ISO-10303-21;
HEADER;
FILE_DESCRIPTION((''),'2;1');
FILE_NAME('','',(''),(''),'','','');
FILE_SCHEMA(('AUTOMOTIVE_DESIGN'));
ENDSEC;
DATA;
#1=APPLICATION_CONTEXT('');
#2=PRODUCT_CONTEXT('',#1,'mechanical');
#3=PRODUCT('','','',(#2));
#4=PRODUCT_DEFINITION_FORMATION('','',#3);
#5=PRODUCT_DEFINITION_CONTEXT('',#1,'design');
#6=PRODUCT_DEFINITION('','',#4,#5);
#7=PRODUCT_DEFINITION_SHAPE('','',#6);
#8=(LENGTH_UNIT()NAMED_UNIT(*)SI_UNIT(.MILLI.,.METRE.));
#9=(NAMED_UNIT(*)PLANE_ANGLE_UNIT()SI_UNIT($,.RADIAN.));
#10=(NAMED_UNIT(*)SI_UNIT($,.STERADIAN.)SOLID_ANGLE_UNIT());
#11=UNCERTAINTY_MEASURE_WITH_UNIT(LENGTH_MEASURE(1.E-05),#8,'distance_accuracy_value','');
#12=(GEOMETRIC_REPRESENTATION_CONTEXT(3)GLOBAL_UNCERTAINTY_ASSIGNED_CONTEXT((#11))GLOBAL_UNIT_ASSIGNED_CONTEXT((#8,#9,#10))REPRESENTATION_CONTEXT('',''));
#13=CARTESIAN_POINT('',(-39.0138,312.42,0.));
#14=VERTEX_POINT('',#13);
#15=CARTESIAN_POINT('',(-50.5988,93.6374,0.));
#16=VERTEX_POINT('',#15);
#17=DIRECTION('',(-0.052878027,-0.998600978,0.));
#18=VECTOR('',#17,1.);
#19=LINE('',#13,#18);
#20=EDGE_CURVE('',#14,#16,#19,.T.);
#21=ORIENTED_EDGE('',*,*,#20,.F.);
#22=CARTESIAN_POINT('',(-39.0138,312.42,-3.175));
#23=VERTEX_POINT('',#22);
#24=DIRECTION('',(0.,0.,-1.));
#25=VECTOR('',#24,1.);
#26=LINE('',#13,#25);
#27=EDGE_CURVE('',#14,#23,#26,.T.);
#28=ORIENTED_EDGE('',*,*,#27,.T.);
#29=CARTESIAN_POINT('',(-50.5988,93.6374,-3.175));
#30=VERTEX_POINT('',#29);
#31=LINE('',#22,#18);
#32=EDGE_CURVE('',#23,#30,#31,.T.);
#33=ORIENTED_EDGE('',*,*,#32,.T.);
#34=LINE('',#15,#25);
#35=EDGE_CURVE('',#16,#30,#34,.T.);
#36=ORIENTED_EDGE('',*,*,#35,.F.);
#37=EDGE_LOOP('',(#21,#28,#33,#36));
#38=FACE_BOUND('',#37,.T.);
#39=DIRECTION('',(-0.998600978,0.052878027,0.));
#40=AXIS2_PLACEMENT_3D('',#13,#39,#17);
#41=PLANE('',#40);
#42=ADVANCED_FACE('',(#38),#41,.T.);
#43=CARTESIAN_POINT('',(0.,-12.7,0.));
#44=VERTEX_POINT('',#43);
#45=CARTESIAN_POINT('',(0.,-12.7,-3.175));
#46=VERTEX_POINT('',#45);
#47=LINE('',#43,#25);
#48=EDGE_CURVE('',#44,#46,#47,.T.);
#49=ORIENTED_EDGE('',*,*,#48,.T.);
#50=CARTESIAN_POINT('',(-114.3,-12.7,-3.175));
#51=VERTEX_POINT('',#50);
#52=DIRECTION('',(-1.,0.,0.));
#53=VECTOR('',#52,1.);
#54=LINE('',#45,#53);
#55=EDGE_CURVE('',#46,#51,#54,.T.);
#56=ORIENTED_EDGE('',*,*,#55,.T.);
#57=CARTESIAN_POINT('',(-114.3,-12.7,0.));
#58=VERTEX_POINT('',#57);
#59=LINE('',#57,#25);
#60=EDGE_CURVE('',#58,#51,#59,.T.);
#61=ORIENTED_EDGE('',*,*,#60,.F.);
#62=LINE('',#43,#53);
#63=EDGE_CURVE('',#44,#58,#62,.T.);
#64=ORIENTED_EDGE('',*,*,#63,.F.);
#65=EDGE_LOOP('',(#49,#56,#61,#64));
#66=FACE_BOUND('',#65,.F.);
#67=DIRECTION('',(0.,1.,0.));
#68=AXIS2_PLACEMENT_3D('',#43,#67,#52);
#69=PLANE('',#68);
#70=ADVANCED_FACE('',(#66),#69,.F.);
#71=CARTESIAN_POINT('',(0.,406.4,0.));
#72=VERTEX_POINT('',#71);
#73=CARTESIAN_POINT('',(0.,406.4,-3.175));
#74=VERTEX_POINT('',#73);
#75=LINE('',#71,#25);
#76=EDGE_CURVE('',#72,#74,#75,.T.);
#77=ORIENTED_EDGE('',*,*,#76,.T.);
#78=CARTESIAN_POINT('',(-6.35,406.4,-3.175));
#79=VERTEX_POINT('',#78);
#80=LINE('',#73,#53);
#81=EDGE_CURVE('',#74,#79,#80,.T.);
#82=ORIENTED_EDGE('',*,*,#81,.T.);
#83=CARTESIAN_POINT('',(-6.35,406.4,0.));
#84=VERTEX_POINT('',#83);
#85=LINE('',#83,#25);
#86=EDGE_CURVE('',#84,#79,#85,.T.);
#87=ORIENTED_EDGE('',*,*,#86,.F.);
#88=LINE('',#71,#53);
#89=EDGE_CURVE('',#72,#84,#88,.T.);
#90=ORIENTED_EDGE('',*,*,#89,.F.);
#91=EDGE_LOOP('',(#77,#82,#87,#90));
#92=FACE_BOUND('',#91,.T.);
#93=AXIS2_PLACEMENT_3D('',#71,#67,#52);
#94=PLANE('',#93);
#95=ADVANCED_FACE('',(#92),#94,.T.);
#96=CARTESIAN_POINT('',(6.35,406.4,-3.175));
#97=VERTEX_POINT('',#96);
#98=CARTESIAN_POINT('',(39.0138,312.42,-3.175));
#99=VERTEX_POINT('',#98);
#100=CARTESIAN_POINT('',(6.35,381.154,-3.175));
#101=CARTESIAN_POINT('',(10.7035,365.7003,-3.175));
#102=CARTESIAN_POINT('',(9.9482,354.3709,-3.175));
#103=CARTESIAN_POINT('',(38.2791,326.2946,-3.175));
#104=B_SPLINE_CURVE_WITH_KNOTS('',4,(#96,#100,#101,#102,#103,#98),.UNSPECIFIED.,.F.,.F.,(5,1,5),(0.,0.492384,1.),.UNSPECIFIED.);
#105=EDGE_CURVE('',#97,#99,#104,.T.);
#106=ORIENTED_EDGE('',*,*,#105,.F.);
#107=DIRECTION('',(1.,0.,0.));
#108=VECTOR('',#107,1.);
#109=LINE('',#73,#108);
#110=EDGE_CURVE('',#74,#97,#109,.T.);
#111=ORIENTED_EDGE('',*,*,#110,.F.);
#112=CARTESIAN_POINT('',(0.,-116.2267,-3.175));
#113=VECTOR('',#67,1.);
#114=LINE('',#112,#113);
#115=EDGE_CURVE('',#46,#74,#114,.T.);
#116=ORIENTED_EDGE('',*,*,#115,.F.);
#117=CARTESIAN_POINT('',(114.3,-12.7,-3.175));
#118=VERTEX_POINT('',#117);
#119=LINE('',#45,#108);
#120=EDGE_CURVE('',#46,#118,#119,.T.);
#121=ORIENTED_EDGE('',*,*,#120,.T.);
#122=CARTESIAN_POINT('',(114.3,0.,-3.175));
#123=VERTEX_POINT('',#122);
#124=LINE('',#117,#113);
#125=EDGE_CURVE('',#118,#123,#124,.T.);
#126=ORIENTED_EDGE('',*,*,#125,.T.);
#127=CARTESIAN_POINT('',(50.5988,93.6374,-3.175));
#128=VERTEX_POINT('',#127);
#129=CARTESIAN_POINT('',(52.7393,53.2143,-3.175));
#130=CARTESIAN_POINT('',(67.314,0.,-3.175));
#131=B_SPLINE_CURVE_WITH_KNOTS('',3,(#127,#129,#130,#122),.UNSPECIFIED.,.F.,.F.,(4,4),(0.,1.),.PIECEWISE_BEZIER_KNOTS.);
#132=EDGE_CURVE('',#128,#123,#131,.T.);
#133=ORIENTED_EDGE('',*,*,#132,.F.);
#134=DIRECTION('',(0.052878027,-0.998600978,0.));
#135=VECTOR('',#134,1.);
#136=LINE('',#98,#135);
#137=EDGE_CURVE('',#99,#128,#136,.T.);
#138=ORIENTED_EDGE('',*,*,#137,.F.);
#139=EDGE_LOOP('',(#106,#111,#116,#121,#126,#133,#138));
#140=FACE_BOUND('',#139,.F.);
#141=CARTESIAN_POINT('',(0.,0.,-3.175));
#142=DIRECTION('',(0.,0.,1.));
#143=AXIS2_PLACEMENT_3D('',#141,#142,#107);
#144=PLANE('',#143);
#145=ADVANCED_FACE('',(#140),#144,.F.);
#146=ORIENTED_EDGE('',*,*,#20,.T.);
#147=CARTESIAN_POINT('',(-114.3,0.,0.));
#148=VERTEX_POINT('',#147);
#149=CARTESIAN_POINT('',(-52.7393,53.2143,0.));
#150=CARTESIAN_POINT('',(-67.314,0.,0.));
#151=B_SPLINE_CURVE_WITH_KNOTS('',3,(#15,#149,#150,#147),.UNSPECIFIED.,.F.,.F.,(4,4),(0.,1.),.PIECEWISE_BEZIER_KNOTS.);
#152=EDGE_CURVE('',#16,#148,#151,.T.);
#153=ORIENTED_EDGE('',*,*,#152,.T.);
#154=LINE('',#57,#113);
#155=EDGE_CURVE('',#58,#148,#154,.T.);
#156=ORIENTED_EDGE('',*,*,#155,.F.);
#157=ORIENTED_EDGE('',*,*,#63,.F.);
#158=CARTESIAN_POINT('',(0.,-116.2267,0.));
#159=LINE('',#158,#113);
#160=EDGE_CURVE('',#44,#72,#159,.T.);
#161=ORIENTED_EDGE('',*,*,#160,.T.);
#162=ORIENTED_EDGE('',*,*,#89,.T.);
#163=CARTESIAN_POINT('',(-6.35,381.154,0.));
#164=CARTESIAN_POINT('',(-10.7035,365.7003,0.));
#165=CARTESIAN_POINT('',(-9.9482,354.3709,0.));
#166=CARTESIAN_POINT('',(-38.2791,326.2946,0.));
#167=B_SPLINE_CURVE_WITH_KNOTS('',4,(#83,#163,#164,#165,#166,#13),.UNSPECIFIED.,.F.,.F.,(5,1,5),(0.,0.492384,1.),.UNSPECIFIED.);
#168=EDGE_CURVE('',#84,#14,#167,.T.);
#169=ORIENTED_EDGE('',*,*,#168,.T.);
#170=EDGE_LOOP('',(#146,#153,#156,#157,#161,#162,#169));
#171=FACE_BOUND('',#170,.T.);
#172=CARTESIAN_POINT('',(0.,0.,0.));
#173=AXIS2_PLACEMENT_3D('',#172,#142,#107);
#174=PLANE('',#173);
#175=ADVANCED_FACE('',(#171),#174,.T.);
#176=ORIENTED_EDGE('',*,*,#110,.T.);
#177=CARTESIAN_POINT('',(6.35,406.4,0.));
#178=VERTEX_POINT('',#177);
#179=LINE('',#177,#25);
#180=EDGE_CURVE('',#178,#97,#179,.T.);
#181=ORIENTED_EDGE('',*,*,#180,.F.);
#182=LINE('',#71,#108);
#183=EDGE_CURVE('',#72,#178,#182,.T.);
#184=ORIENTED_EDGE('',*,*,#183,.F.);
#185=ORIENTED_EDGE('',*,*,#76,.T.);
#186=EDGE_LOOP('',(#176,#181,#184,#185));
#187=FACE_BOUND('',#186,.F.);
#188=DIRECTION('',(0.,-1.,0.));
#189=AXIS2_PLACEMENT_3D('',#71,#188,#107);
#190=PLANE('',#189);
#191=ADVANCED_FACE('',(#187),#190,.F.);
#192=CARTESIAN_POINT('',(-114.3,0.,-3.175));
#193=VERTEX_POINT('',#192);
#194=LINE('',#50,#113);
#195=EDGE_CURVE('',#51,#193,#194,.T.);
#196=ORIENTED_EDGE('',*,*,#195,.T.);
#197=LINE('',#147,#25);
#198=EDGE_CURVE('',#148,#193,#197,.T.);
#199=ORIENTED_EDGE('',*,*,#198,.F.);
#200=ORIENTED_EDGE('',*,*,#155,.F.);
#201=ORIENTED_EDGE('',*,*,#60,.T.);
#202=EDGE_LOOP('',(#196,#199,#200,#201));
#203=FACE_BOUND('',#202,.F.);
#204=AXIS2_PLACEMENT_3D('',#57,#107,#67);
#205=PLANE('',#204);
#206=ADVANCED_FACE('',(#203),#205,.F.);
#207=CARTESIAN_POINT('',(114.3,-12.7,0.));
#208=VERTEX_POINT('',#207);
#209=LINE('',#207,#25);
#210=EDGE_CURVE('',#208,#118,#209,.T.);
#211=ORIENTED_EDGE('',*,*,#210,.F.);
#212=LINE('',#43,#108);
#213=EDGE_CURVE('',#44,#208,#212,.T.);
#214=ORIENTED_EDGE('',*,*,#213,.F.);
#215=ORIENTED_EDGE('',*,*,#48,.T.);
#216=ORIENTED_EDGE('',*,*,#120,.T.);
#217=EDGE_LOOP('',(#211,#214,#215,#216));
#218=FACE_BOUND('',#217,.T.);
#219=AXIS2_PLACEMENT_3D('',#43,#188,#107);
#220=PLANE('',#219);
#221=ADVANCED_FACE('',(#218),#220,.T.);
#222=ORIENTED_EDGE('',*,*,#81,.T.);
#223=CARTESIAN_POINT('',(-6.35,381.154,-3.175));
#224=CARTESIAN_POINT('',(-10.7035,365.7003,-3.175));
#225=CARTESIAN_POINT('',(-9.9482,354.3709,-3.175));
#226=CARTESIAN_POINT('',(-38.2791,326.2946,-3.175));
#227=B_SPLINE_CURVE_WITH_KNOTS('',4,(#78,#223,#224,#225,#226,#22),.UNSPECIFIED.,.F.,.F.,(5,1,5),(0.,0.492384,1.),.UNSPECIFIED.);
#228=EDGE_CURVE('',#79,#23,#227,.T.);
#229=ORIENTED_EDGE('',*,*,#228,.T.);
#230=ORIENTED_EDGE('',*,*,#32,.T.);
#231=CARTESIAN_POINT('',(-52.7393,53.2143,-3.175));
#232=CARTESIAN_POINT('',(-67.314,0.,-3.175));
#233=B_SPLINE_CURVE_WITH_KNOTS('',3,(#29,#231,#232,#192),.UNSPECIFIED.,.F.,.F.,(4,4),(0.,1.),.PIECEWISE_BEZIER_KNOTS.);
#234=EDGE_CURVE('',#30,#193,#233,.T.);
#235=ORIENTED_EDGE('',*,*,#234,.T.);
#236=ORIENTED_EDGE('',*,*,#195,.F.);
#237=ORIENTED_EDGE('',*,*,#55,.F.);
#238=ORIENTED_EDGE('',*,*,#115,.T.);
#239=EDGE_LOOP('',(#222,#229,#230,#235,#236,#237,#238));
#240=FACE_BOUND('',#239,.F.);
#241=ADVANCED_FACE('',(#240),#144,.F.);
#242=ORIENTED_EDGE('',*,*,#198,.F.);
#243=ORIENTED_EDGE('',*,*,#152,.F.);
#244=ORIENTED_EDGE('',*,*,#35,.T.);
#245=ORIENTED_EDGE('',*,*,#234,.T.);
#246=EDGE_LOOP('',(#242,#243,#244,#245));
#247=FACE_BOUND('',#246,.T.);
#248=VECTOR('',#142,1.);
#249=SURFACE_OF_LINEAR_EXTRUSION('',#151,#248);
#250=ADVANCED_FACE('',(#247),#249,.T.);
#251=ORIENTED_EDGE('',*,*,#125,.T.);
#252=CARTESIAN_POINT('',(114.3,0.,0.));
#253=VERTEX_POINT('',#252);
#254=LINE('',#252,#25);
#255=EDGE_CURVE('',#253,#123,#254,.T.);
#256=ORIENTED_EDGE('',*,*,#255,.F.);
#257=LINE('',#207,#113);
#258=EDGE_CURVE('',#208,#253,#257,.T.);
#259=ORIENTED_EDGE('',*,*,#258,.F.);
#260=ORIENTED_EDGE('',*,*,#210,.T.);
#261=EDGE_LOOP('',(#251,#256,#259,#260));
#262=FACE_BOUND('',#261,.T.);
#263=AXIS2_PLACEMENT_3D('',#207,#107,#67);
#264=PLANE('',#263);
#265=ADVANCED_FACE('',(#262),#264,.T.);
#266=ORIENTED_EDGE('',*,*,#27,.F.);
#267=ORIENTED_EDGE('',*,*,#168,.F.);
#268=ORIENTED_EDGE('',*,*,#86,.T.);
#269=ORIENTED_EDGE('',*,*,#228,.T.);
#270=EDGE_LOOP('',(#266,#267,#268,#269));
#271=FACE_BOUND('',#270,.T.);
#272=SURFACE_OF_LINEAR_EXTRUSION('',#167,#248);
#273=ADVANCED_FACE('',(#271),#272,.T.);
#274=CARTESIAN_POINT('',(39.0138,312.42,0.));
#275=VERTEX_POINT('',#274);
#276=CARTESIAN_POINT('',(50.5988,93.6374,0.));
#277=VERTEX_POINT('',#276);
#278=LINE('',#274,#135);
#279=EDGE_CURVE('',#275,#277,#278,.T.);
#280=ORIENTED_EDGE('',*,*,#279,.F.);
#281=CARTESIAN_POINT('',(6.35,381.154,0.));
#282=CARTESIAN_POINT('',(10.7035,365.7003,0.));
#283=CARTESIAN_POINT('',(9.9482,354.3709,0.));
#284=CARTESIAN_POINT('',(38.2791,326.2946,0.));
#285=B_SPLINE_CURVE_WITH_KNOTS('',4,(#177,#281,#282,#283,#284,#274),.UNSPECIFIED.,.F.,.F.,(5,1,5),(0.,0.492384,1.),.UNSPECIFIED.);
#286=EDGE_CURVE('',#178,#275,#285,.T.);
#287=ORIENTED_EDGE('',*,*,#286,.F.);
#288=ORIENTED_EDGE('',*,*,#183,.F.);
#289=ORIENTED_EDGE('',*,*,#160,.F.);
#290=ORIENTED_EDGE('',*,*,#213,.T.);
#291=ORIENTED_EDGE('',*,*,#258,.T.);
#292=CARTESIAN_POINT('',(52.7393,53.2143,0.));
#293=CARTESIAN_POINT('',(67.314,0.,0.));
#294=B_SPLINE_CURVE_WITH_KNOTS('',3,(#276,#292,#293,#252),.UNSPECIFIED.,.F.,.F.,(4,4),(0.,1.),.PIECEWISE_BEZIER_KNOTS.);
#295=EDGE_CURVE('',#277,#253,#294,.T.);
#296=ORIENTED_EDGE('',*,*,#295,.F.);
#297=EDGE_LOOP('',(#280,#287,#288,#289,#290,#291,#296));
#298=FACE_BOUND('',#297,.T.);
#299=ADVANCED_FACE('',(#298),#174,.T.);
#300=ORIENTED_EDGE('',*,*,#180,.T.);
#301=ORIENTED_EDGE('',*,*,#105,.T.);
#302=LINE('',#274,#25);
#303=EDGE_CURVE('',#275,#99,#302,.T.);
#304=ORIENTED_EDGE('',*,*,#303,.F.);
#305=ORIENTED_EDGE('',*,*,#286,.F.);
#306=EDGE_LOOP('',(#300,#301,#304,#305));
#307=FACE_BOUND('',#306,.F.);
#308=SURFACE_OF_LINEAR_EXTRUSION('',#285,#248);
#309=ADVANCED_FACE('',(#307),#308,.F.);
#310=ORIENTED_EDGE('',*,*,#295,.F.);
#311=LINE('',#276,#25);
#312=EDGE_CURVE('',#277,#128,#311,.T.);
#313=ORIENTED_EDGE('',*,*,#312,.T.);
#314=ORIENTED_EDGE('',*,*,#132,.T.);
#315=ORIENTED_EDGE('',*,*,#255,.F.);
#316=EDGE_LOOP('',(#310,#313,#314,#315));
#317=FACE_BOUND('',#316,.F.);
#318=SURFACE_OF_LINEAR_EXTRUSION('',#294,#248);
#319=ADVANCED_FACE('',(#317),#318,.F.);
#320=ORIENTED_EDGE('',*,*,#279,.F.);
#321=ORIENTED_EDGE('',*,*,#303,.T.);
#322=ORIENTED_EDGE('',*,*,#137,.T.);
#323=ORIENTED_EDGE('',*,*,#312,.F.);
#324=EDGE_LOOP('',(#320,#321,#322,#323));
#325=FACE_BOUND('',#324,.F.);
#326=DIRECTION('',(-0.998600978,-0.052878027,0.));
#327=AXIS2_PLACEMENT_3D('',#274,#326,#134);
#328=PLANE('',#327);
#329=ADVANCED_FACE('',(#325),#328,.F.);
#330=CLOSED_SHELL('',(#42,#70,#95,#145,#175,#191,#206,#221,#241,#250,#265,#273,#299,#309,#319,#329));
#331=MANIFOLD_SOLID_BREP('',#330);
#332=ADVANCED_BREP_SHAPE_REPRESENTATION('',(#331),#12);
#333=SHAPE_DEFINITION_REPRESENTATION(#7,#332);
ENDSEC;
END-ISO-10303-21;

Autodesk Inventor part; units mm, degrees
ref_plane "YZ Plane" through (0, 0, 0) normal (1, 0, 0) x (0, 1, 0)
ref_plane "XZ Plane" through (0, 0, 0) normal (0, 1, 0) x (-1, 0, 0)
ref_plane "XY Plane" through (0, 0, 0) normal (0, 0, 1) x (1, 0, 0)
sketch "Sketch1" plane through (0, 0, 0) normal (0, 0, 1) x (1, 0, 0)
  line L0 (76.2, -12.7) -> (381, -12.7) construction
  line L1 (-76.2, -12.7) -> (-381, -12.7) construction
  line L2 (-76.2, 0) -> (-381, 0) construction
  line L3 (76.2, 0) -> (381, 0) construction
  line L4 (0, -116.2267) -> (0, 608.4603)
  line L5 (0, -12.7) -> (-114.3, -12.7)
  line L6 (-114.3, -12.7) -> (-114.3, 0)
  line L7 (0, 406.4) -> (-6.35, 406.4)
  line L8 (-39.0138, 312.42) -> (-50.5988, 93.6374)
  line L9 (39.0138, 312.42) -> (50.5988, 93.6374)
  line L10 (0, 406.4) -> (6.35, 406.4)
  line L11 (0, -12.7) -> (114.3, -12.7)
  line L12 (114.3, -12.7) -> (114.3, 0)
  spline S0 degree 4 poles (-6.35, 406.4) (-6.35, 381.154) (-10.7035, 365.7003) (-9.9482, 354.3709) (-38.2791, 326.2946) (-39.0138, 312.42) knots 0 0 0 0 0 0.492384 1 1 1 1 1
  line L13 (-6.35, 441.1174) -> (-6.35, 371.6826) construction
  arc A0 (-7.3193, 378.694) -> (-7.3193, 434.106) centre (-402.7904, 406.4) ccw construction
  spline S1 degree 4 poles (6.35, 406.4) (6.35, 381.154) (10.7035, 365.7003) (9.9482, 354.3709) (38.2791, 326.2946) (39.0138, 312.42) knots 0 0 0 0 0 0.492384 1 1 1 1 1
  line L14 (6.35, 441.1174) -> (6.35, 371.6826) construction
  arc A1 (7.3193, 434.106) -> (7.3193, 378.694) centre (402.7904, 406.4) ccw construction
  line L15 (-8.1247, 369.9755) -> (-17.7136, 348.6922) construction
  arc A2 (-17.4133, 351.2643) -> (-9.8522, 368.0464) centre (-62.6107, 381.7218) ccw construction
  line L16 (8.1247, 369.9755) -> (17.7136, 348.6922) construction
  arc A3 (9.8522, 368.0464) -> (17.4133, 351.2643) centre (62.6107, 381.7218) ccw construction
  spline S2 degree 3 poles (-50.5988, 93.6374) (-52.7393, 53.2143) (-67.314, 0) (-114.3, 0) knots 0 0 0 0 1 1 1 1
  line L17 (-100.9407, 0) -> (-127.6593, 0) construction
  arc A4 (-124.8332, 0.8979) -> (-103.7668, 0.8979) centre (-114.3, 62.2299) ccw construction
  spline S3 degree 3 poles (50.5988, 93.6374) (52.7393, 53.2143) (67.314, 0) (114.3, 0) knots 0 0 0 0 1 1 1 1
  line L18 (100.9407, 0) -> (127.6593, 0) construction
  arc A5 (103.7668, 0.8979) -> (124.8332, 0.8979) centre (114.3, 62.2299) ccw construction
  point P0 (0, 0)
  point P1 (-12.9192, 359.3339)
  point P2 (12.9192, 359.3339)
  dimension "d3" = 114.3
  dimension "d5" = 0.7
  dimension "d6" = 0.7
  dimension "d7" = 93.98
  dimension "d8" = 12.7
  dimension "d9" = 419.1
extrude "Extrusion1" add sketch "Sketch1" against normal blind 3.175
sketch "Etching" plane through (0, 0, 0) normal (0, 0, 1) x (1, 0, 0)
  line L0 (-114.3, -12.7) -> (114.3, -12.7) projected
  line L1 (114.3, -12.7) -> (114.3, 0) projected
  line L2 (50.5988, 93.6374) -> (39.0138, 312.42) projected
  line L3 (6.35, 406.4) -> (-6.35, 406.4) projected
  line L4 (-39.0138, 312.42) -> (-50.5988, 93.6374) projected
  line L5 (-114.3, 0) -> (-114.3, -12.7) projected
  line L6 (-45.7985, 184.2911) -> (45.7985, 184.2911)
  line L7 (0, -12.7) -> (0, 406.4)
  circle A0 centre (0, 184.2911) radius 5.08
  line L8 (-47.625, 12.7) -> (47.625, 12.7) projected
  line L9 (-47.625, 0) -> (-47.625, 12.7) projected
  line L10 (47.625, 12.7) -> (47.625, 0) projected
  line L11 (-114.3, 0) -> (114.3, 0)
  line L12 (37.9166, 92.9659) -> (29.8579, 245.1527) projected
  line L13 (42.5402, 245.8242) -> (29.8579, 245.1527) projected
  line L14 (37.9166, 92.9659) -> (50.5988, 93.6374) projected
  line L15 (-50.5988, 93.6374) -> (-37.9166, 92.9659) projected
  line L16 (-37.9166, 92.9659) -> (-29.8579, 245.1527) projected
  line L17 (-29.8579, 245.1527) -> (-42.5402, 245.8242) projected
  line L18 (-6.35, 298.8732) -> (6.35, 298.8732) projected
  line L19 (-6.35, 298.8732) -> (-6.35, 406.4)
  line L20 (6.35, 298.8732) -> (6.35, 406.4)
  dimension "d10" = 10.16
equation "\"d5\" = d6"
properties part number "Bottom Plate v2" material "Wood (Cherry)"
